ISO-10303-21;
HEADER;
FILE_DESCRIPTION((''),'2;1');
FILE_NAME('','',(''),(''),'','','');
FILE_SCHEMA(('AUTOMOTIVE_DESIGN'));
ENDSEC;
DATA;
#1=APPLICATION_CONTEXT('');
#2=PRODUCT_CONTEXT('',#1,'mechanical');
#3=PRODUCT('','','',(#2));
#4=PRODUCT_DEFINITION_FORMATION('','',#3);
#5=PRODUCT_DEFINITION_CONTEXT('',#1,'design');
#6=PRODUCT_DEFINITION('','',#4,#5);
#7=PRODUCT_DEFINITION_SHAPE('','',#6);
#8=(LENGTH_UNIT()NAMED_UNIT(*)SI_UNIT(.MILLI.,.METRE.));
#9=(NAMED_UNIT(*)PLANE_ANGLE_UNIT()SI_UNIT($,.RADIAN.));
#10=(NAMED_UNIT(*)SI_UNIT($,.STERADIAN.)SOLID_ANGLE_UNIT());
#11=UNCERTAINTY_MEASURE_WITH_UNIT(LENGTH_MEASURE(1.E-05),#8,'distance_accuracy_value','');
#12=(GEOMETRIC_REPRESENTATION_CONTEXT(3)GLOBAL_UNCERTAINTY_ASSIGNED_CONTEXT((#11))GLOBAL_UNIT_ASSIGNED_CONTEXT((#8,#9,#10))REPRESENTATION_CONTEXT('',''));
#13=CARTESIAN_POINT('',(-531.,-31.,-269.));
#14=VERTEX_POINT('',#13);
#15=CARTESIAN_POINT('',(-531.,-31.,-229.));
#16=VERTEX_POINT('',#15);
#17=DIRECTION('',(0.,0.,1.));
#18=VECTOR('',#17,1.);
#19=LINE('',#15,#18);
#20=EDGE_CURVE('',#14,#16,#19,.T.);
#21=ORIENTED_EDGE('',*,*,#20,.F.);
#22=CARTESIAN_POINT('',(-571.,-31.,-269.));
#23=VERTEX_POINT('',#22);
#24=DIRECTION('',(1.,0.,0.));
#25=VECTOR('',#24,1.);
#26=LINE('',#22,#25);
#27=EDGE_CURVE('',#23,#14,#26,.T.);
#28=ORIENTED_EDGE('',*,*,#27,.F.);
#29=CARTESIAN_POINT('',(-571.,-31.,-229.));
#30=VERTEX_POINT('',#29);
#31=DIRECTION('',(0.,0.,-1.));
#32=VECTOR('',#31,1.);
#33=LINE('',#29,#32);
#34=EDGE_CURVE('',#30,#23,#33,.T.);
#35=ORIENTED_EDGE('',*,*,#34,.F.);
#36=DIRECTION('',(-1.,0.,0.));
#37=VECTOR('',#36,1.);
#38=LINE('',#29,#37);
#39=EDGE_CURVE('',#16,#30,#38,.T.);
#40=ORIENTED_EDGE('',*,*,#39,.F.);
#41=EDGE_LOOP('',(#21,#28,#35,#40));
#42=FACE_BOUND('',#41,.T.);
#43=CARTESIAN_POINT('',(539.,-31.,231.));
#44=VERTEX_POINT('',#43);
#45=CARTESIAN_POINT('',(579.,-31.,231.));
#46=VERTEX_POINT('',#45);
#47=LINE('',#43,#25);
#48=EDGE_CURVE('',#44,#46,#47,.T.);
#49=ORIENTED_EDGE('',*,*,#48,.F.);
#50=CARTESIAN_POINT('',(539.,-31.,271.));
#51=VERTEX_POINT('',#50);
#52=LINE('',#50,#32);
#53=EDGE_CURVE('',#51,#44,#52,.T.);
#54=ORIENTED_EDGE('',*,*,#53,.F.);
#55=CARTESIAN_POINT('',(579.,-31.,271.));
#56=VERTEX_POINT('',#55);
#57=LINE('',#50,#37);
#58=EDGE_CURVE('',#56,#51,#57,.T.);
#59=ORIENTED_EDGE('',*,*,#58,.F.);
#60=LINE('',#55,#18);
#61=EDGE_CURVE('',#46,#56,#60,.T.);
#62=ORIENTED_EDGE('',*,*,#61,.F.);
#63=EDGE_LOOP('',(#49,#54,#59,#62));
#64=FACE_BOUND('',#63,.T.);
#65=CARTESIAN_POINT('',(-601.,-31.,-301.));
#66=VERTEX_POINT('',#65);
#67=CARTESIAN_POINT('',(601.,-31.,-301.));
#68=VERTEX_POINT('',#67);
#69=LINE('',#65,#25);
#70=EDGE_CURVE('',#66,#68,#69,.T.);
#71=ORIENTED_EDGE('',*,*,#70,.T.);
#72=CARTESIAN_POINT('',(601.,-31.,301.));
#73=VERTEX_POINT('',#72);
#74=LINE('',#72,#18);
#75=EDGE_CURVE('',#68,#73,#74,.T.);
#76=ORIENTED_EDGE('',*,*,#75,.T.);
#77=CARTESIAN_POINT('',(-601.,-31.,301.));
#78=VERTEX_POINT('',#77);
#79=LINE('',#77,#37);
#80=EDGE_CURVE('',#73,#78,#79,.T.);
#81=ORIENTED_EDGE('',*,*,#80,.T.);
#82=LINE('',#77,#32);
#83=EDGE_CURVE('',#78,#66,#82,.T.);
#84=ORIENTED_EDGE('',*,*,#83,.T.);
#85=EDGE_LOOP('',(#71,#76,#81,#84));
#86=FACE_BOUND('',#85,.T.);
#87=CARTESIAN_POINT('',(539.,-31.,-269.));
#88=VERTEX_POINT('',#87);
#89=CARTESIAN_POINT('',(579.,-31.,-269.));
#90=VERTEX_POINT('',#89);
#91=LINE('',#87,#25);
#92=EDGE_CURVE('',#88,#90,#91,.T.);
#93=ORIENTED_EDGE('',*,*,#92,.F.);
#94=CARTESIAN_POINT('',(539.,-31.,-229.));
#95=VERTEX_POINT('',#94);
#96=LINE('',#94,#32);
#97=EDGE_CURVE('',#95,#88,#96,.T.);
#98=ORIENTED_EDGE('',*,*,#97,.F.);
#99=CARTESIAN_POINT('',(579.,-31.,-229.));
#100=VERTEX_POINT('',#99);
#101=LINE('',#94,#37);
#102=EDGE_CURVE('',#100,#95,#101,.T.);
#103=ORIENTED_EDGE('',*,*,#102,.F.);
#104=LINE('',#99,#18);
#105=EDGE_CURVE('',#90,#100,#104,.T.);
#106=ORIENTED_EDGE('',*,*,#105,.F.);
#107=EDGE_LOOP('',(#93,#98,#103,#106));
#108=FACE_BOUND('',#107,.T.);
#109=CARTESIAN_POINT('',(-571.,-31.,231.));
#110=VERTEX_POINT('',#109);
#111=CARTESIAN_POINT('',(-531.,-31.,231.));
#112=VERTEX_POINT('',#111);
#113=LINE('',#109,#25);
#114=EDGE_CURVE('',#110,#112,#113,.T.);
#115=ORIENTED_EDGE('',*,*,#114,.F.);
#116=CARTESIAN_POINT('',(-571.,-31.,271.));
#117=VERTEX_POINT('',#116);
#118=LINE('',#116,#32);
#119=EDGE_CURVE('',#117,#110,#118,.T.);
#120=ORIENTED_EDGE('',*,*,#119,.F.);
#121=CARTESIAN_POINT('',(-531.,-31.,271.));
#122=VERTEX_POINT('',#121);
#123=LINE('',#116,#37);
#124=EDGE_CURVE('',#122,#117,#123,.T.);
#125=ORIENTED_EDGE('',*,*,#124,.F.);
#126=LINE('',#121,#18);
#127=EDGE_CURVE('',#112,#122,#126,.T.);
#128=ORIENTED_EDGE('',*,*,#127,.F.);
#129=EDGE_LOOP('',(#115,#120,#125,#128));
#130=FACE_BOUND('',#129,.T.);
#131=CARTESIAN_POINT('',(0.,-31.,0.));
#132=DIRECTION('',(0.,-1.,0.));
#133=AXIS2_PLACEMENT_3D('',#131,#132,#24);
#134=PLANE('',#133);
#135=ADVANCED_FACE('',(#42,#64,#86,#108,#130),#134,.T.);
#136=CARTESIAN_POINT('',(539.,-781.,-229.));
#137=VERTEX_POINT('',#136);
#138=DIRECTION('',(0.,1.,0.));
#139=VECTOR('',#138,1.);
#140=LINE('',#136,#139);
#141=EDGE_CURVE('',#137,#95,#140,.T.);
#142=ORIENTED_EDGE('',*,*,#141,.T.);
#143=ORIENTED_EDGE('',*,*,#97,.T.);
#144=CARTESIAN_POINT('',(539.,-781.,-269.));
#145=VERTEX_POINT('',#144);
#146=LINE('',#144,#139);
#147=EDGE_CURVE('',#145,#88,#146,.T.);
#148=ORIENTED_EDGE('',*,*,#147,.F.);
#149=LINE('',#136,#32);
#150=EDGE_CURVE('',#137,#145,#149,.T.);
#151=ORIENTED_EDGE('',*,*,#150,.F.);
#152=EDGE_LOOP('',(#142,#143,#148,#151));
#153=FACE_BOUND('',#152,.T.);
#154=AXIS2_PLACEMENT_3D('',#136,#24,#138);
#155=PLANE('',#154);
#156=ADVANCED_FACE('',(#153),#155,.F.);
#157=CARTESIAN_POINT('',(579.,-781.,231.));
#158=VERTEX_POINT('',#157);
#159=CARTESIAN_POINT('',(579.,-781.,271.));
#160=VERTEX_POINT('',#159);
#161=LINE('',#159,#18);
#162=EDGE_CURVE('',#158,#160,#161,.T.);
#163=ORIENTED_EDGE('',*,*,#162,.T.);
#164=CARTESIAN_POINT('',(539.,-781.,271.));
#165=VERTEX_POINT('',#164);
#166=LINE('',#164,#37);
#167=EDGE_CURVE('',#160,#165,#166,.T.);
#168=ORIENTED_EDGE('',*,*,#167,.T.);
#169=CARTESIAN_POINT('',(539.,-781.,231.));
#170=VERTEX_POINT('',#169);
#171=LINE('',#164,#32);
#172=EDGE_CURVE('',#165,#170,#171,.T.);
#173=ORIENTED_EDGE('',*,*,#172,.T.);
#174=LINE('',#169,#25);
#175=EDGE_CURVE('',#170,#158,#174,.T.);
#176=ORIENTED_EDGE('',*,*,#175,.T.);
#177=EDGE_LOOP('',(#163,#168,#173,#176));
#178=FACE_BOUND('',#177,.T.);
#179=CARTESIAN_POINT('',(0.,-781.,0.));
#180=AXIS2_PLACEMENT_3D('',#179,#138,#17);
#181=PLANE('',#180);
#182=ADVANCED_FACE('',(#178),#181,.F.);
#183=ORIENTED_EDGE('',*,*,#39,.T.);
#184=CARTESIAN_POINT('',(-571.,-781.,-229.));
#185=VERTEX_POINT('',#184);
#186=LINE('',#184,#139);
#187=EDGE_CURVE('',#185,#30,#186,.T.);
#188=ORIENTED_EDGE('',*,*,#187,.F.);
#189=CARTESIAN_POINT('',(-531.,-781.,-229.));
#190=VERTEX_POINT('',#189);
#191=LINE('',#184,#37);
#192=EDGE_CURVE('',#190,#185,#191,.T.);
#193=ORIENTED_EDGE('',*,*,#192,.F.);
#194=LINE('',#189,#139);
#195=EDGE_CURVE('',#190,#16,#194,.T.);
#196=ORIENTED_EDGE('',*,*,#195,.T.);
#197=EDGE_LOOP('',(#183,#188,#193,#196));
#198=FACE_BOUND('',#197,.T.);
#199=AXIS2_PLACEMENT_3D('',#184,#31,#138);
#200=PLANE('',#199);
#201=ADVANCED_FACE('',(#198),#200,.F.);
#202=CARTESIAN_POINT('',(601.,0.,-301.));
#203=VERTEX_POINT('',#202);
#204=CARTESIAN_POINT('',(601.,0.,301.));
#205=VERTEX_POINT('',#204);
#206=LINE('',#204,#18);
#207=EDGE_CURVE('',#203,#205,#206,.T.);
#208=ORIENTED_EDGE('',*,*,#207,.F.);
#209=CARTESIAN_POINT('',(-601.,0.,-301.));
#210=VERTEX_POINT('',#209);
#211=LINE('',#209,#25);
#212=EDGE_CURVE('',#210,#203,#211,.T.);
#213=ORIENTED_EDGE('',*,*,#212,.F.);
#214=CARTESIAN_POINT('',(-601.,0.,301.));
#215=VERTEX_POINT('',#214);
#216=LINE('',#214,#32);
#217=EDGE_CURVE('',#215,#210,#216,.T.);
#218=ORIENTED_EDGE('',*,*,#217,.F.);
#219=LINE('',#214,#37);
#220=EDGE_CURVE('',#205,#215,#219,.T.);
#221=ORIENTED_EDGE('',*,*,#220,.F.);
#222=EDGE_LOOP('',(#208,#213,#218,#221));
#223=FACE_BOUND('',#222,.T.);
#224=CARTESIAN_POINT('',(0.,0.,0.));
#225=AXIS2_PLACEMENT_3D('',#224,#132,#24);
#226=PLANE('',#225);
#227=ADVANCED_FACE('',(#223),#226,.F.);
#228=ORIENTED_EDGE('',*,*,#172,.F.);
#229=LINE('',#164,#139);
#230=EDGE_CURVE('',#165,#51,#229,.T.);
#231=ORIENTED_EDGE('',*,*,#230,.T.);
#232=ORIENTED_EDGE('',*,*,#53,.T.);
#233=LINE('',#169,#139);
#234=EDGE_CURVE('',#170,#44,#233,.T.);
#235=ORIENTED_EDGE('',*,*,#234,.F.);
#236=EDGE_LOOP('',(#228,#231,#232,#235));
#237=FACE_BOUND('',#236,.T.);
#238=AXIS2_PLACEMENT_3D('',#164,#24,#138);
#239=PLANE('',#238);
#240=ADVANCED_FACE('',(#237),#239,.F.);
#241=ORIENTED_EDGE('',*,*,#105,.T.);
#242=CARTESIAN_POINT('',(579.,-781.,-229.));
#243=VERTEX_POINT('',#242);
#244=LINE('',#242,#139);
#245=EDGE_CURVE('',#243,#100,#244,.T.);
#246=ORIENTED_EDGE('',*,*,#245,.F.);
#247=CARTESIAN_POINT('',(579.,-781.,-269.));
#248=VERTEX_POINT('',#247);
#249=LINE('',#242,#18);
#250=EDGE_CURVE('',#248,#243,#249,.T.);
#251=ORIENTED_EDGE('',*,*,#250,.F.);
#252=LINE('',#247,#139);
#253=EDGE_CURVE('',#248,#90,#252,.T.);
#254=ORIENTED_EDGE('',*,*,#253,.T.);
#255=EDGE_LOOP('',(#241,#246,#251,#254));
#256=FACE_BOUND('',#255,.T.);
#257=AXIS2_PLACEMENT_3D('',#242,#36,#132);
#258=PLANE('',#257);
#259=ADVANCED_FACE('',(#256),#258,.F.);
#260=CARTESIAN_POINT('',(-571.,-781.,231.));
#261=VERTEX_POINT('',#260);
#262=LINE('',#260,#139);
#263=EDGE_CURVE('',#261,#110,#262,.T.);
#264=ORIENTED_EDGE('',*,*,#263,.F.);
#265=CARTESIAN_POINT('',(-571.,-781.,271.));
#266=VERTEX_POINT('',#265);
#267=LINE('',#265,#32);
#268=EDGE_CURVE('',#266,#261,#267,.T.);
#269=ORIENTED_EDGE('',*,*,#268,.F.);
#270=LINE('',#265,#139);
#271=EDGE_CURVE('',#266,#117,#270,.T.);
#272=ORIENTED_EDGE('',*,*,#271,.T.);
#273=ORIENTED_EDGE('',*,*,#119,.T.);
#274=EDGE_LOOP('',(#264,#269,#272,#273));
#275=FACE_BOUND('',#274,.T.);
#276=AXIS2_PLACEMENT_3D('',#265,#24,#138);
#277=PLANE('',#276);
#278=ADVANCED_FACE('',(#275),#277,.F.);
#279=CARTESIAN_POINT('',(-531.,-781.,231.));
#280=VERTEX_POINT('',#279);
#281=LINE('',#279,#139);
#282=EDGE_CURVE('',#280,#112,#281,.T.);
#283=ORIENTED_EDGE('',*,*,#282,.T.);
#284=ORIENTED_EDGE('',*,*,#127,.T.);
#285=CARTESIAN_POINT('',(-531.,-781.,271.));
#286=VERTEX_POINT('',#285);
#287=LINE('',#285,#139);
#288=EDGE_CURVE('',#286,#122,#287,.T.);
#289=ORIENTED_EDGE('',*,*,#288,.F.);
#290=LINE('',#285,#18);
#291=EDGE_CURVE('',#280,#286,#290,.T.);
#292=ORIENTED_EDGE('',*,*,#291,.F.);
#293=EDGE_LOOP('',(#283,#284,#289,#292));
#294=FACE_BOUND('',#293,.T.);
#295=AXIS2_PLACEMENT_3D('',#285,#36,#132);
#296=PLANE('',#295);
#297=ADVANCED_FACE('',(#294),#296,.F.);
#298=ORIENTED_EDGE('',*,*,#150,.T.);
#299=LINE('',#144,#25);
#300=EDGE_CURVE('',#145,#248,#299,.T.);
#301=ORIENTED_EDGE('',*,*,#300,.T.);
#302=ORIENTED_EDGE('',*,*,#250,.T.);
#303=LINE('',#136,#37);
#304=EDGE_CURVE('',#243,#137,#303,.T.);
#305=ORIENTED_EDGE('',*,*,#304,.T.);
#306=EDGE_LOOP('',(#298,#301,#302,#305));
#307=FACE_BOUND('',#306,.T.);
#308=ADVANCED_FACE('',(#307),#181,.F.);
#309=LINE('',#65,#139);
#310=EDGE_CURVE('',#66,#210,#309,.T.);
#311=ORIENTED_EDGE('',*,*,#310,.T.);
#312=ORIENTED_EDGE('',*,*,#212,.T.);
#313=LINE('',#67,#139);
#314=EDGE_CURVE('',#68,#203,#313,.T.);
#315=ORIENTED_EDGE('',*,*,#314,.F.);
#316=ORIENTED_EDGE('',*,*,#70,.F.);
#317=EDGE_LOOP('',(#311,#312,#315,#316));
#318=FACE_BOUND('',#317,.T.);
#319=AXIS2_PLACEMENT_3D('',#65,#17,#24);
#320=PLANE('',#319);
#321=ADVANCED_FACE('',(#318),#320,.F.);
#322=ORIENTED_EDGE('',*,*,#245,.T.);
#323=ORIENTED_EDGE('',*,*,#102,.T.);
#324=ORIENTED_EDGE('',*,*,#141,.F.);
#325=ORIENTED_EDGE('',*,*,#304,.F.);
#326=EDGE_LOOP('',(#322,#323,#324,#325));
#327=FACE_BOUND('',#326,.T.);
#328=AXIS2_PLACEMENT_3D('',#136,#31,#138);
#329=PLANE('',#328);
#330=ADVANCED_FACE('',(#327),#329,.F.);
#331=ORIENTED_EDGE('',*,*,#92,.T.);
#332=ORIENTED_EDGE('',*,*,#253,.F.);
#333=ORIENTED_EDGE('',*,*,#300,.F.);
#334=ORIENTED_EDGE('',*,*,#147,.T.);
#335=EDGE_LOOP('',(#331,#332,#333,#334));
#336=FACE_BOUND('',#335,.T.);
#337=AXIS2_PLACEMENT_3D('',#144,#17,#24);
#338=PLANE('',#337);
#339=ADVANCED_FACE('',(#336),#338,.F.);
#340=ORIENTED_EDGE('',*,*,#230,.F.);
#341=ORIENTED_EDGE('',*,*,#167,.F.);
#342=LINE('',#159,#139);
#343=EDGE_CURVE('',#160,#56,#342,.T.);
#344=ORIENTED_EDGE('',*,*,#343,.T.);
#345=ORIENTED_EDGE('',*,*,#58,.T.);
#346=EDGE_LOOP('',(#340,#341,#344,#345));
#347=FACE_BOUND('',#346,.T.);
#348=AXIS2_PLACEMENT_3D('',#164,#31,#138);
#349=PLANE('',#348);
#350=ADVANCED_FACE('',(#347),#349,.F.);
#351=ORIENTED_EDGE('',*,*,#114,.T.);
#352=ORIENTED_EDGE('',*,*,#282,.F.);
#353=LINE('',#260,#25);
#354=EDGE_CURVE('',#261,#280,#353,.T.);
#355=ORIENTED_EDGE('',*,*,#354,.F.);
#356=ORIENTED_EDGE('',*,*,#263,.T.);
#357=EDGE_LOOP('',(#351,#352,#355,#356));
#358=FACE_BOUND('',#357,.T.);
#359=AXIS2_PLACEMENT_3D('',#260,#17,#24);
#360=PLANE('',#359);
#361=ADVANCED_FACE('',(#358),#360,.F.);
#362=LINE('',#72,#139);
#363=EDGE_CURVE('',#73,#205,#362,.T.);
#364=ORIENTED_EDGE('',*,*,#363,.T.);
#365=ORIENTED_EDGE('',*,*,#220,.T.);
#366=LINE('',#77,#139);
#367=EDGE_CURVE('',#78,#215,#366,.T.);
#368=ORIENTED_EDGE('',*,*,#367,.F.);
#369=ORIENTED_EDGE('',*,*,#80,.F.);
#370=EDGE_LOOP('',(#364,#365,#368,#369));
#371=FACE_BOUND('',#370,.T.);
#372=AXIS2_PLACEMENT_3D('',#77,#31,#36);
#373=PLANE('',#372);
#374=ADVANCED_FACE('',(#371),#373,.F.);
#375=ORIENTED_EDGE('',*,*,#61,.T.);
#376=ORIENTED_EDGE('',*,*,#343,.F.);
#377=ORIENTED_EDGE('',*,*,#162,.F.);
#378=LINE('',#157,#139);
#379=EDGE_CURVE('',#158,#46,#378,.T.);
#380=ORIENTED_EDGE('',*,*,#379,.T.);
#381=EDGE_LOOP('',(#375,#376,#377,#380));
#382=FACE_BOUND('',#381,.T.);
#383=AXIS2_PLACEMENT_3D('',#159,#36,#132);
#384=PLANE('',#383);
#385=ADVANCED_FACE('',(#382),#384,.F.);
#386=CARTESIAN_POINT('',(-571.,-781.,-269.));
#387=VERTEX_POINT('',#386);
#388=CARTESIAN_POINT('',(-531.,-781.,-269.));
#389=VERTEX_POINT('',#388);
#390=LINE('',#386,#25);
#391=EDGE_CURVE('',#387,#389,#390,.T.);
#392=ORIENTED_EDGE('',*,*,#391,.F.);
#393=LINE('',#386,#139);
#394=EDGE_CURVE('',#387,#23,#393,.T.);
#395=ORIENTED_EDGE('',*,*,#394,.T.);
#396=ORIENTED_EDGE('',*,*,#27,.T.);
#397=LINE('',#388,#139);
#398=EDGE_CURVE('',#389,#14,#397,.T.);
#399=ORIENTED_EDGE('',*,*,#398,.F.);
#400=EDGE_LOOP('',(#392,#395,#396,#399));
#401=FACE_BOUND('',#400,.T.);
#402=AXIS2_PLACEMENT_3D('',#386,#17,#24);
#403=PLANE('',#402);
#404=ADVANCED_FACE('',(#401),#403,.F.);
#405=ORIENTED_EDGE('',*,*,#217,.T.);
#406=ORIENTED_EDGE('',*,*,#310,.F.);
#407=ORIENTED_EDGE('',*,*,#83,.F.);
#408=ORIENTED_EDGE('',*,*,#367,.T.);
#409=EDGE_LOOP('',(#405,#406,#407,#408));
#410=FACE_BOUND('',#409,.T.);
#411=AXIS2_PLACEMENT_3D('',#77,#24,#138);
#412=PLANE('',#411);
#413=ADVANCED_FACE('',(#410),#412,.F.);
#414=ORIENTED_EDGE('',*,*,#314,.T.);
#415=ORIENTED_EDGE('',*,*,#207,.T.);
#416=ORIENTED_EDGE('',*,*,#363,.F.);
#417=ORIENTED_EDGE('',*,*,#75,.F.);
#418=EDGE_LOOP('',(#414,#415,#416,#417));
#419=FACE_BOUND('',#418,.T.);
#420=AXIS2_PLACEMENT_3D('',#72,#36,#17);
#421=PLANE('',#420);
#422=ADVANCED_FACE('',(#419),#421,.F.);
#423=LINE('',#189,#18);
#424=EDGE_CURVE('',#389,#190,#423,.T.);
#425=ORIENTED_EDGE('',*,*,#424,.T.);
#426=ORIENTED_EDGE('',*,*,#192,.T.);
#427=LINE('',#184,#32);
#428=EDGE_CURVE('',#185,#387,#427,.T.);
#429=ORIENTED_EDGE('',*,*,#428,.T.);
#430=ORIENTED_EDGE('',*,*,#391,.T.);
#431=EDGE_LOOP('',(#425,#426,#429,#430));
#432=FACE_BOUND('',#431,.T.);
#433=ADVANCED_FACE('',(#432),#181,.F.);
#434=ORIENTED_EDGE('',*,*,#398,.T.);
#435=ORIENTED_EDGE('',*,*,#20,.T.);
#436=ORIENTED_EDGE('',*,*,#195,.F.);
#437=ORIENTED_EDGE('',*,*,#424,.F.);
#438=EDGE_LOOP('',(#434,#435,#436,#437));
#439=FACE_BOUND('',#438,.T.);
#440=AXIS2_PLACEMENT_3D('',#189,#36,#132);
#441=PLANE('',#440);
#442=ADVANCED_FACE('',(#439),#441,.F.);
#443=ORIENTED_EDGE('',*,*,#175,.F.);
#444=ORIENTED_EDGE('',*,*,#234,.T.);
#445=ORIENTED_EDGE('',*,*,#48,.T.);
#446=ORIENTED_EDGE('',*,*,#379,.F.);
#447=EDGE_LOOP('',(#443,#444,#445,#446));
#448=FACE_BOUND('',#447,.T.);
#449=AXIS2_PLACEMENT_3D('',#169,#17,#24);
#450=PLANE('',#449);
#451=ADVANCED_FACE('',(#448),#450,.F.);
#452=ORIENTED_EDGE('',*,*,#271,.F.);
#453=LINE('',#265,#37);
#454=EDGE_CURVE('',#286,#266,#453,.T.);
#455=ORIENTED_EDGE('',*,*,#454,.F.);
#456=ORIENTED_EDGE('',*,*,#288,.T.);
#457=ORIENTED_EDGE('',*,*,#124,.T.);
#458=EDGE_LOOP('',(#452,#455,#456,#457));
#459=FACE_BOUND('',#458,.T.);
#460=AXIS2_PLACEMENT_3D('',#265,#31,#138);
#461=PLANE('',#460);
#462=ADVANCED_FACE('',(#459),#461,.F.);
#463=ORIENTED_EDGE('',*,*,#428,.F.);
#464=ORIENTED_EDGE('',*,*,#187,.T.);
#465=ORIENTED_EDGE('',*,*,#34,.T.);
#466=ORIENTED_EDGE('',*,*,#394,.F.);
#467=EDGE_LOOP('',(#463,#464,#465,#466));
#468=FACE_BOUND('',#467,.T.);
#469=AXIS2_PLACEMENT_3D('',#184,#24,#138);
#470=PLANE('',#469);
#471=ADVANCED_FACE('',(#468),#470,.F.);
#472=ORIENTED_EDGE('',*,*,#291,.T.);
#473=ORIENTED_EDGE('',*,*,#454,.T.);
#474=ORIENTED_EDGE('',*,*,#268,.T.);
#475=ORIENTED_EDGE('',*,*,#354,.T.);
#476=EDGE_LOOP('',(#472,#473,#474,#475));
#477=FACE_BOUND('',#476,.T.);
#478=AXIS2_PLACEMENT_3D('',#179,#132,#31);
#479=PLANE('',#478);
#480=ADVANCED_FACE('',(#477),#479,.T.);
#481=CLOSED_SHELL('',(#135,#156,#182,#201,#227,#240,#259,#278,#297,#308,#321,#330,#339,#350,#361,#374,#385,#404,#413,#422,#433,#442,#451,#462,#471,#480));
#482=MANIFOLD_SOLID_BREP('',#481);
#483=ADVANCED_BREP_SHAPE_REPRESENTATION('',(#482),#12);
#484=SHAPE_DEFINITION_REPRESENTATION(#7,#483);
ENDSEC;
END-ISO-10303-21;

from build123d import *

# Parameters (mm, degrees)
CORTAR_EXTRUIR1_START      = -50
CROQUIS2_R                 = 4.324629937
CORTAR_EXTRUIR1_DEPTH      = 25
CROQUIS3_W                 = 1202
CROQUIS3_H                 = 602
SALIENTE_EXTRUIR1_DEPTH    = 31
CROQUIS4_W                 = 40
CROQUIS4_H                 = 40
SALIENTE_EXTRUIR2_DEPTH    = 750
CORTAR_EXTRUIR2_DEPTH      = 1031.418846877
CORTAR_EXTRUIR2_DEPTH_BACK = 1031.418846877
CROQUIS5_W                 = 169.23973075
CROQUIS5_H                 = 94.141610947


with BuildPart() as part:
    # Croquis1 → Revolución1 (revolve)
    with BuildSketch(Plane.XY, mode=Mode.PRIVATE) as revoluci_n1_sk:
        Polygon((0, 0), (0, 80), (-58, 80), (-58, 31.455108359), (-67.5, 0), align=None)
    revolve(revoluci_n1_sk.sketch.rotate(Axis((0, 0, 0), (0, 1, 0)), 180), axis=Axis((0, 0, 0), (0, 1, 0)))

    # Croquis2 → Cortar-Extruir1 (cut)
    with BuildSketch(Plane(origin=(0, 80, 0), x_dir=(1, 0, 0), z_dir=(0, 1, 0)).offset(CORTAR_EXTRUIR1_START)):
        with Locations((0, 63.025248345)):
            Circle(CROQUIS2_R)
        with Locations((63.025248345, 0)):
            Circle(CROQUIS2_R)
        with Locations((0, -63.025248345)):
            Circle(CROQUIS2_R)
        with Locations((-63.025248345, 0)):
            Circle(CROQUIS2_R)
    extrude(amount=-CORTAR_EXTRUIR1_DEPTH, mode=Mode.SUBTRACT)

    # Croquis3 → Saliente-Extruir1 (add)
    with BuildSketch(Plane.XZ):
        Rectangle(CROQUIS3_W, CROQUIS3_H)
    extrude(amount=SALIENTE_EXTRUIR1_DEPTH)

    # Croquis4 → Saliente-Extruir2 (add)
    with BuildSketch(Plane.XZ.offset(31)):
        with Locations((-551, 251)):
            Rectangle(CROQUIS4_W, CROQUIS4_H)
        with Locations((559, 251)):
            Rectangle(CROQUIS4_W, CROQUIS4_H)
        with Locations((559, -249)):
            Rectangle(CROQUIS4_W, CROQUIS4_H)
        with Locations((-551, -249)):
            Rectangle(CROQUIS4_W, CROQUIS4_H)
    extrude(amount=SALIENTE_EXTRUIR2_DEPTH)

    # Croquis5 → Cortar-Extruir2 (cut, two sides: drawn at the far end of the back side and taken through both)
    with BuildSketch(Plane.XY.offset(-CORTAR_EXTRUIR2_DEPTH_BACK)):
        with Locations((-9.450479153, 47.070805474)):
            Rectangle(CROQUIS5_W, CROQUIS5_H)
    extrude(amount=CORTAR_EXTRUIR2_DEPTH + CORTAR_EXTRUIR2_DEPTH_BACK, mode=Mode.SUBTRACT)


solid = part.part
